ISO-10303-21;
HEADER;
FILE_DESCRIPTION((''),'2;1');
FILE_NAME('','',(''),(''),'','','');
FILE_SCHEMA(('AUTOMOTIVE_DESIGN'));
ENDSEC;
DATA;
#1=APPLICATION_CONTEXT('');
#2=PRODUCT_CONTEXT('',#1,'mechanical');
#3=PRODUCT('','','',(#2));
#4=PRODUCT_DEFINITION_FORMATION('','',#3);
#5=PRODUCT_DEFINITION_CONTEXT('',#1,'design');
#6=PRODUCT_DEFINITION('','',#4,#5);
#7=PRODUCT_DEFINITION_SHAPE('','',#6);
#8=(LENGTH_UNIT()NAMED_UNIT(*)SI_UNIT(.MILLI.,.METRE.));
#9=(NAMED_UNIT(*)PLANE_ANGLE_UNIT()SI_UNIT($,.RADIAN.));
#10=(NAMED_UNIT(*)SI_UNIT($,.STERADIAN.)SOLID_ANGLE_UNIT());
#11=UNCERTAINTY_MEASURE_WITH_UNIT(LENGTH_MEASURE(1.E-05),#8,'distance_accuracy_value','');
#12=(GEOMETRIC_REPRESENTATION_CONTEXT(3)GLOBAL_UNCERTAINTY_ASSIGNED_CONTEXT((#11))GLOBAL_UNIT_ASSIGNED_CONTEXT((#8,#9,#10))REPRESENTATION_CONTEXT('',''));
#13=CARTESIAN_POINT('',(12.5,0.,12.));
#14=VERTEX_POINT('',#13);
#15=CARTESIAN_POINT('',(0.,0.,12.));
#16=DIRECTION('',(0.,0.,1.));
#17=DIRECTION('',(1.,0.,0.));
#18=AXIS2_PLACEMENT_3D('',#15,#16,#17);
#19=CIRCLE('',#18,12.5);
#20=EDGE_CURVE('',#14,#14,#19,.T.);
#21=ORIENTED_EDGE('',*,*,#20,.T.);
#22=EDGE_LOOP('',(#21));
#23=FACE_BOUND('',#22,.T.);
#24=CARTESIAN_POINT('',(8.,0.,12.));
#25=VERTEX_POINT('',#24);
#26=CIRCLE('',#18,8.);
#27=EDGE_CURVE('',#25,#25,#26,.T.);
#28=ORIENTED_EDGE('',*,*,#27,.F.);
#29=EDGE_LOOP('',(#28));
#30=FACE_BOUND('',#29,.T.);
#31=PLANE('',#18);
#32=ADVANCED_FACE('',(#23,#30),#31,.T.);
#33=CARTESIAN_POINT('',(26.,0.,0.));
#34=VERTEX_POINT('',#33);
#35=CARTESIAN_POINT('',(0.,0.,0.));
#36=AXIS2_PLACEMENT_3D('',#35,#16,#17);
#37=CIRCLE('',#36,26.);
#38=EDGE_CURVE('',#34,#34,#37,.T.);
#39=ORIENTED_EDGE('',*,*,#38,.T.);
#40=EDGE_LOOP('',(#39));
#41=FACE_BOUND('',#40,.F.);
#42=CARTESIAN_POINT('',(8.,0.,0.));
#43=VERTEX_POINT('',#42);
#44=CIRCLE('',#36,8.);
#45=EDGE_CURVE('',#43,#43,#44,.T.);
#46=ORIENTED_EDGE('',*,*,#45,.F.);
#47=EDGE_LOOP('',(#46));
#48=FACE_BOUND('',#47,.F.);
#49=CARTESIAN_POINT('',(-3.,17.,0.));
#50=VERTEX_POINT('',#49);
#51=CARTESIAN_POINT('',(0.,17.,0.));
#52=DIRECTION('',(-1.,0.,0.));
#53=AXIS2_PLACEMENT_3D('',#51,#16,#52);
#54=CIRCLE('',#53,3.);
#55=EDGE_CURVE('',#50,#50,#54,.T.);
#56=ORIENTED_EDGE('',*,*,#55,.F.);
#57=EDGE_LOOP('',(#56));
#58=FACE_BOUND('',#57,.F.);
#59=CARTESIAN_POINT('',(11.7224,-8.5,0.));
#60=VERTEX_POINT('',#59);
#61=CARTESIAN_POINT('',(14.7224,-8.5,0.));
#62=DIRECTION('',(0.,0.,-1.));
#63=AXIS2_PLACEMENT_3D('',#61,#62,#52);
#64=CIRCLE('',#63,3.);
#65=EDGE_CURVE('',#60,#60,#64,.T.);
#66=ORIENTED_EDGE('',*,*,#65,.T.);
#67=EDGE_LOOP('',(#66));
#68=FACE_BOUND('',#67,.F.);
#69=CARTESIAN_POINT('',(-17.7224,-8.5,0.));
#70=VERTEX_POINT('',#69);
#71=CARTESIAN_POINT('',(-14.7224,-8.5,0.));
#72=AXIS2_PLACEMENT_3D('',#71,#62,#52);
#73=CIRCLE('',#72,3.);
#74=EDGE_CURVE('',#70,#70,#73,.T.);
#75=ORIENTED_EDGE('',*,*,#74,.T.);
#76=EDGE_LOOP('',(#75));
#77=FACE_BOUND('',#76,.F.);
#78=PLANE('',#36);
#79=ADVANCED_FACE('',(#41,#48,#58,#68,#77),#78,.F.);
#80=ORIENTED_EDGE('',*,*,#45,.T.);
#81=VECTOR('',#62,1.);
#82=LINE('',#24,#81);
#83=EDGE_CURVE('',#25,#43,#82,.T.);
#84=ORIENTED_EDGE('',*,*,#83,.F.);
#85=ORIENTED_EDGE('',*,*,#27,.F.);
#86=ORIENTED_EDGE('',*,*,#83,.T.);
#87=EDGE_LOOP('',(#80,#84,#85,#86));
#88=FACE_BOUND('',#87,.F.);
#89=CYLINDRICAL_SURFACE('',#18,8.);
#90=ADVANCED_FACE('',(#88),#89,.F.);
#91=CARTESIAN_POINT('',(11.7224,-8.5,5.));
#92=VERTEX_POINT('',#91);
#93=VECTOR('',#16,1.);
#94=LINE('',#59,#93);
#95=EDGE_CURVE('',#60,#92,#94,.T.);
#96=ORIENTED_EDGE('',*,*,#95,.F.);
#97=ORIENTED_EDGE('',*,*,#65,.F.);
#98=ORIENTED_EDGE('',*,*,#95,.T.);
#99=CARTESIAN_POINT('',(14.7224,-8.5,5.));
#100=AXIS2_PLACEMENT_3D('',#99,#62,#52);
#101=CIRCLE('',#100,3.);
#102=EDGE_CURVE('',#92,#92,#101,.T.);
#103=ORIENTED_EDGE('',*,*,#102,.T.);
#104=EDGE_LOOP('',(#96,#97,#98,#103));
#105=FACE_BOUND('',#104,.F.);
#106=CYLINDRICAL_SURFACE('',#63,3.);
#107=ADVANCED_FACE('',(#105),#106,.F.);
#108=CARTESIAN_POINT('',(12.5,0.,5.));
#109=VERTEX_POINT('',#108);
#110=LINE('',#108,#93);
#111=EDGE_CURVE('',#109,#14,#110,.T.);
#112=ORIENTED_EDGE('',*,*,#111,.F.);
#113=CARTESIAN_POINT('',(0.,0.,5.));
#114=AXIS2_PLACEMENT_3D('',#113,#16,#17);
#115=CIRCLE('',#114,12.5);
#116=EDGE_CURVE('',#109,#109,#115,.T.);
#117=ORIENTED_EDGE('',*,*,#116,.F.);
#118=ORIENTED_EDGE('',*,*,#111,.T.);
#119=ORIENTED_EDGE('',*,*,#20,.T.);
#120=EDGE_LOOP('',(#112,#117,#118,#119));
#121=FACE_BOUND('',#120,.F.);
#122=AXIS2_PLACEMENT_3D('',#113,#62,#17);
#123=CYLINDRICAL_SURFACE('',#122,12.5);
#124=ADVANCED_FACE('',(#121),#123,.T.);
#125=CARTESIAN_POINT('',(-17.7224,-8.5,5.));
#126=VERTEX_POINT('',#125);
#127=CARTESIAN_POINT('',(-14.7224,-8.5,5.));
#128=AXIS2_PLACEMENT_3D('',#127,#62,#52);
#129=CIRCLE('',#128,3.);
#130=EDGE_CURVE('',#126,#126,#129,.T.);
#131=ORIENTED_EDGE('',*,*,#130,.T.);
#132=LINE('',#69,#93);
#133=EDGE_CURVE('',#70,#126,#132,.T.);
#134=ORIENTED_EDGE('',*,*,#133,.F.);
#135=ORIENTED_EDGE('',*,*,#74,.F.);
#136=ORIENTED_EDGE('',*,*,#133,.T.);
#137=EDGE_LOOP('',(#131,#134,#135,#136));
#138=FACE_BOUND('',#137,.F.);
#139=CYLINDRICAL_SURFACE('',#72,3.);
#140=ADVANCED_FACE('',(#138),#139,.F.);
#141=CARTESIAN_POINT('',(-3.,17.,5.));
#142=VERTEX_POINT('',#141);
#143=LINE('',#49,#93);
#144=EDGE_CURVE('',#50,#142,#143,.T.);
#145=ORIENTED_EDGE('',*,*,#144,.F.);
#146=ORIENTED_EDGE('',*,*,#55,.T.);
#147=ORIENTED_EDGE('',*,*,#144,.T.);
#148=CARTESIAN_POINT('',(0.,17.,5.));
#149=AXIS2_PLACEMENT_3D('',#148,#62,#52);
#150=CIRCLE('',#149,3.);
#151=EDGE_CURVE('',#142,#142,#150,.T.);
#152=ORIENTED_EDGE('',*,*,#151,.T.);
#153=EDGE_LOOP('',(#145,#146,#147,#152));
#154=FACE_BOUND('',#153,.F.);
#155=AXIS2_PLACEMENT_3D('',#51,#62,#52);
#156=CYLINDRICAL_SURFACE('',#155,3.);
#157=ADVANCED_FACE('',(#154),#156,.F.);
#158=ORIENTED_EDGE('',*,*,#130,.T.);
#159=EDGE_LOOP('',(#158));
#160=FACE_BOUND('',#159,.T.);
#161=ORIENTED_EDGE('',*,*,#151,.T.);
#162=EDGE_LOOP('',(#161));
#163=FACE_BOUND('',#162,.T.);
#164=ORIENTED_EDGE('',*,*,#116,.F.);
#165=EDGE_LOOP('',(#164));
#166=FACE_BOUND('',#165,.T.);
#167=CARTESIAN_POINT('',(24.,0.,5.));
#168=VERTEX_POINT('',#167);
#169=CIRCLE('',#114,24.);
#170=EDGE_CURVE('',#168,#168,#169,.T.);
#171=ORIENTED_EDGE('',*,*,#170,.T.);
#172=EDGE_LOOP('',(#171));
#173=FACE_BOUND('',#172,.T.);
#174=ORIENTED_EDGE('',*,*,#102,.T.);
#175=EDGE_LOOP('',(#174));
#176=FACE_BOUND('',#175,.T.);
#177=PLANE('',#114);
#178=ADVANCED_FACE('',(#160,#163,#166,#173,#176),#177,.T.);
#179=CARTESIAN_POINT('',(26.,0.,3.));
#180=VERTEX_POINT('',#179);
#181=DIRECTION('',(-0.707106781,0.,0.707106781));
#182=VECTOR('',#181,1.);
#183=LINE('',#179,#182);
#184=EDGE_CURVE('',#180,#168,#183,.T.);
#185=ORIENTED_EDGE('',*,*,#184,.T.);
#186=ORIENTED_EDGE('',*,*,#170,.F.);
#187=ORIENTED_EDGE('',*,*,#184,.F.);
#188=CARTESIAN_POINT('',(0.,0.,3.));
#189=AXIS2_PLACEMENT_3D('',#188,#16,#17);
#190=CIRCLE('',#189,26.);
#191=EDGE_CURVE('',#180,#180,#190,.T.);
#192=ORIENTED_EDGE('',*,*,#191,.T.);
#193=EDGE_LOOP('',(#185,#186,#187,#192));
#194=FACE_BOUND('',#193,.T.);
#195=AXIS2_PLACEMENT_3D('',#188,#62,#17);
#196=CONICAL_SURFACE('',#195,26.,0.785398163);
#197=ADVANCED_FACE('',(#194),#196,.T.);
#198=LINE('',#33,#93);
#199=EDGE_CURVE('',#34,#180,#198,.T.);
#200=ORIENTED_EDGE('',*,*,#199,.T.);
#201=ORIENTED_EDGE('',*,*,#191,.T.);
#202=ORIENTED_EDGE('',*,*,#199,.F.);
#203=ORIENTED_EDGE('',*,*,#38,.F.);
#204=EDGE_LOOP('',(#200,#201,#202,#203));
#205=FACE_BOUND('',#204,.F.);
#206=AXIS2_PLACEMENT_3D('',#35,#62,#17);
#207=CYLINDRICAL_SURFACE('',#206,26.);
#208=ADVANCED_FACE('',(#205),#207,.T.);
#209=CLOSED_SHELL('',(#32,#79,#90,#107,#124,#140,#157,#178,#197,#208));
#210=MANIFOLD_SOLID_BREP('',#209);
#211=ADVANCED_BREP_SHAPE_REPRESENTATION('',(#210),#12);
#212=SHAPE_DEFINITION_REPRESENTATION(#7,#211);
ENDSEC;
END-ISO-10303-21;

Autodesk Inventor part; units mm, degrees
ref_plane "YZ Plane" through (0, 0, 0) normal (1, 0, 0) x (0, 1, 0)
sketch "Sketch1" plane through (0, 0, 0) normal (0, 0, 1) x (1, 0, 0)
  circle A0 centre (0, 0) radius 26
  dimension "d0" = 52
extrude "Extrusion1" add sketch "Sketch1" along normal blind 5
chamfer "Chamfer2" distance 2 angle 45 1 edges at (-26, 0, 5)
ref_plane "Work Plane3" through (0, 0, 5) normal (0, 0, 1) x (1, 0, 0)
sketch "Sketch3" plane through (0, 0, 5) normal (0, 0, 1) x (1, 0, 0)
  circle A0 centre (0, 0) radius 12.5
  dimension "d6" = 25
extrude "Extrusion2" add sketch "Sketch3" along normal blind 7
ref_plane "Work Plane4" through (0, 0, 12) normal (0, 0, 1) x (1, 0, 0)
sketch "Sketch4" plane through (0, 0, 12) normal (0, 0, 1) x (1, 0, 0)
  circle A0 centre (0, 0) radius 8
  dimension "d9" = 16
extrude "Extrusion3" cut sketch "Sketch4" against normal blind 12
sketch "Sketch2" plane through (0, 0, 0) normal (0, 0, -1) x (-1, 0, 0)
  line L0 (0, 0) -> (-23.1702, 23.1702)
  line L1 (0, 0) -> (32.7676, 0) construction
  line L2 (-23.1702, 23.1702) -> (18.3848, -18.3848)
  circle A0 centre (0, 0) radius 26 projected
  line L3 (0, 0) -> (-21.488, -21.488)
  line L4 (0, 0) -> (30.3887, 0) construction
  line L5 (-21.488, -21.488) -> (18.3848, 18.3848)
  circle A1 centre (0, 0) radius 8 projected
  line L6 (0, 8) -> (0, 17)
  circle A2 centre (0, 17) radius 3
  line L7 (0, -26) -> (0, 26)
  circle A3 centre (-14.7224, -8.5) radius 3
  circle A4 centre (14.7224, -8.5) radius 3
  dimension "d4" = 135
  dimension "d5" = 135
  dimension "d19" = 9
  dimension "d20" = 6
  dimension "d23" = 360
extrude "Extrusion4" cut sketch "Sketch2" against normal blind 12 contours A2 L7 L6 | L6 L7 A2 | A3 | A4
properties part number "EndBush" material "Titanium"
